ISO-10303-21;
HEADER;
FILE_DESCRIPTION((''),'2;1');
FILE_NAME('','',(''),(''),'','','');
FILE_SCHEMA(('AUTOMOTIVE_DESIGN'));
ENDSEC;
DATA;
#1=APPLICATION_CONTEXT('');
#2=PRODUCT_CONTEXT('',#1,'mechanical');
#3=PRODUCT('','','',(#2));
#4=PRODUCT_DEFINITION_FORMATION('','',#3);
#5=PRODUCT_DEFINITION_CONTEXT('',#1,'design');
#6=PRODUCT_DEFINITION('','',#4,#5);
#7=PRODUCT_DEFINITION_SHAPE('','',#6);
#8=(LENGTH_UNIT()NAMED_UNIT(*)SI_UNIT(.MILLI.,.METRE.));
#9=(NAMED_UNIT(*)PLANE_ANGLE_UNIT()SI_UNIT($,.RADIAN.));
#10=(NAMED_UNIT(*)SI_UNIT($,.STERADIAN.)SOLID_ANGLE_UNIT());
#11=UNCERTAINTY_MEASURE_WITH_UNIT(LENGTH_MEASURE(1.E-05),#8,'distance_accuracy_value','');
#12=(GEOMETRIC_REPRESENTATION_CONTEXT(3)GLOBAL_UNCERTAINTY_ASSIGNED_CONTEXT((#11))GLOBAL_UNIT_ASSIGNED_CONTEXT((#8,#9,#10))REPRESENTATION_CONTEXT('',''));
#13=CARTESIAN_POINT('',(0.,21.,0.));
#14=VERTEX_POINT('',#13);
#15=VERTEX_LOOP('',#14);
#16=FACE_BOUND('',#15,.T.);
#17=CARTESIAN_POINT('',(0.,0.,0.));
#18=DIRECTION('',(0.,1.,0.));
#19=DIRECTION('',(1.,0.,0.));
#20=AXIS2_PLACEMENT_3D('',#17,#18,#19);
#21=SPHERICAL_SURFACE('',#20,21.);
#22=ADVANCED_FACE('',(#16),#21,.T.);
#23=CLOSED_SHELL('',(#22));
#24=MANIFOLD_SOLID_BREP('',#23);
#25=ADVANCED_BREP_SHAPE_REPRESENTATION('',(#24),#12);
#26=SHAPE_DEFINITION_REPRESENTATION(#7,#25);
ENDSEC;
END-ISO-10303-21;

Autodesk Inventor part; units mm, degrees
ref_plane "YZ Plane" through (0, 0, 0) normal (1, 0, 0) x (0, 1, 0)
ref_plane "XZ Plane" through (0, 0, 0) normal (0, 1, 0) x (-1, 0, 0)
ref_plane "XY Plane" through (0, 0, 0) normal (0, 0, 1) x (1, 0, 0)
sketch "スケッチ1" plane through (0, 0, 0) normal (0, 0, 1) x (1, 0, 0)
  arc A0 (0, -21) -> (0, 21) centre (0, 0) ccw
  line L0 (0, 21) -> (0, -21)
  line L1 (0, -29.4) -> (0, 29.4) projected
  dimension "d0" = 21
revolve "回転1" add sketch "スケッチ1" angle 360 about axis through (0, -10, 0) along (0, 1, 0)
properties part number "Ball"
